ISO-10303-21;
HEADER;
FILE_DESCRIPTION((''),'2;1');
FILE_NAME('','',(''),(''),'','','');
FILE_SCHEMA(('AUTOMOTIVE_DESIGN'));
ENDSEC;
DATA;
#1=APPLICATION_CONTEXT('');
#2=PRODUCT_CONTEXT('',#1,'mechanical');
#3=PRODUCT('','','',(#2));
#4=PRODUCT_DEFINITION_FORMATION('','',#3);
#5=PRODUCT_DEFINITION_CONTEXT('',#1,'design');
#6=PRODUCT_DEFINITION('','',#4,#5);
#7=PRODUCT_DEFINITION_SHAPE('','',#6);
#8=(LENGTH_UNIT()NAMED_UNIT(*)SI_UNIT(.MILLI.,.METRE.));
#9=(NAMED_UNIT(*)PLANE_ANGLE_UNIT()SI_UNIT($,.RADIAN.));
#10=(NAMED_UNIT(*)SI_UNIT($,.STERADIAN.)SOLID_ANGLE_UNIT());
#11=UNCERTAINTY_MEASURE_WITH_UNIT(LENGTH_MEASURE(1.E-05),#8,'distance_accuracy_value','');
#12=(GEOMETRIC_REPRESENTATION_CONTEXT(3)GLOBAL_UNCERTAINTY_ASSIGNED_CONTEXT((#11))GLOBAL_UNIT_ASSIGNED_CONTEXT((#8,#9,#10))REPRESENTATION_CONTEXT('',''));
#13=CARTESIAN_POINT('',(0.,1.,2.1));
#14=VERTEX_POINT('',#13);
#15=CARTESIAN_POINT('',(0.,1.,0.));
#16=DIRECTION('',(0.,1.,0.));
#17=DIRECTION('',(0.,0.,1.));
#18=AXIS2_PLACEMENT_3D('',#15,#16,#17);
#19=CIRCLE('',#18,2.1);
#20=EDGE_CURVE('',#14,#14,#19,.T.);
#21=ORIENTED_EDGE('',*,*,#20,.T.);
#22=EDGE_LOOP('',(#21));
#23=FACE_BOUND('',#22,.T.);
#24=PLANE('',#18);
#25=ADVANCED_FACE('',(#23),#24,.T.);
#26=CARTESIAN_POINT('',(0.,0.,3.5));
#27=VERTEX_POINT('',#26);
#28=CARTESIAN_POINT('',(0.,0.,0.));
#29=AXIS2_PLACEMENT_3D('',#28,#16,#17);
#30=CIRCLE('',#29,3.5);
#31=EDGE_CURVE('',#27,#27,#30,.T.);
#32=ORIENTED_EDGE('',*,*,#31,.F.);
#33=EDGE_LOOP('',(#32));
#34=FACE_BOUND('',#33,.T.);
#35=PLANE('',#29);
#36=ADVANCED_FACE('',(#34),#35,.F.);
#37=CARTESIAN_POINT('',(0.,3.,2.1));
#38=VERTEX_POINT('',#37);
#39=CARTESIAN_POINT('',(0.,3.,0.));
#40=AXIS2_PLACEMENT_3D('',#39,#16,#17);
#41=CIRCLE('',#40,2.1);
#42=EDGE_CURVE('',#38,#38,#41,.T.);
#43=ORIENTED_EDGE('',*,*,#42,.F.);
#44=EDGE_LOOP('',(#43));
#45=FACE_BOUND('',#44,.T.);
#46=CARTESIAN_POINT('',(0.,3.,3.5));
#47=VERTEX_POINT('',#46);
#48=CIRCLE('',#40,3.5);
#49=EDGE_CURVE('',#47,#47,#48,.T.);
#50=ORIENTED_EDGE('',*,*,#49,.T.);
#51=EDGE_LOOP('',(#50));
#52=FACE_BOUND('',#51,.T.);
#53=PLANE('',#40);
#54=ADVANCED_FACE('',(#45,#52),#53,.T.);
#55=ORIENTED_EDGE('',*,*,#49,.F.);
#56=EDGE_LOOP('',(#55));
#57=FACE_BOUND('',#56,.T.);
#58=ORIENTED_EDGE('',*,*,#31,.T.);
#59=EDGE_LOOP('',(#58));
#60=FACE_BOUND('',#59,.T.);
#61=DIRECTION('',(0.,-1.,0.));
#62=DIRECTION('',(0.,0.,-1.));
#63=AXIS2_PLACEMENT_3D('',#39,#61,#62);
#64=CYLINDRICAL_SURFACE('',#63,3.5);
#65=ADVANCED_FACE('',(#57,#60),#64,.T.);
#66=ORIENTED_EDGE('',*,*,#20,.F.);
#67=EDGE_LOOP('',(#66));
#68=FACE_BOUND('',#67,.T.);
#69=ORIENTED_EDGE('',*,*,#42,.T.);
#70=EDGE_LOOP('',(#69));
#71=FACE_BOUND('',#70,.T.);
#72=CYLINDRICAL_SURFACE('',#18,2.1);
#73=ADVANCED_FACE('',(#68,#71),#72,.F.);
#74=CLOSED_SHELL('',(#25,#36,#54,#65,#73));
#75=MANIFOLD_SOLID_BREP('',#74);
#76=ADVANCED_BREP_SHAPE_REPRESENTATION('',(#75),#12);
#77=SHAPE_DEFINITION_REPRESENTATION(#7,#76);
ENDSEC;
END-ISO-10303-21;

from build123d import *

# Parameters (mm, degrees)
SKETCH1_R           = 3.5
BOSS_EXTRUDE1_DEPTH = 3
SKETCH2_R           = 2.1
CUT_EXTRUDE1_DEPTH  = 2


with BuildPart() as part:
    # Sketch1 → Boss-Extrude1 (new body)
    with BuildSketch(Plane(origin=(0, 0, 0), x_dir=(1, 0, 0), z_dir=(0, 1, 0))):
        Circle(SKETCH1_R)
    extrude(amount=BOSS_EXTRUDE1_DEPTH)

    # Sketch2 → Cut-Extrude1 (cut)
    with BuildSketch(Plane(origin=(0, 3, 0), x_dir=(1, 0, 0), z_dir=(0, 1, 0))):
        Circle(SKETCH2_R)
    extrude(amount=-CUT_EXTRUDE1_DEPTH, mode=Mode.SUBTRACT)


solid = part.part
